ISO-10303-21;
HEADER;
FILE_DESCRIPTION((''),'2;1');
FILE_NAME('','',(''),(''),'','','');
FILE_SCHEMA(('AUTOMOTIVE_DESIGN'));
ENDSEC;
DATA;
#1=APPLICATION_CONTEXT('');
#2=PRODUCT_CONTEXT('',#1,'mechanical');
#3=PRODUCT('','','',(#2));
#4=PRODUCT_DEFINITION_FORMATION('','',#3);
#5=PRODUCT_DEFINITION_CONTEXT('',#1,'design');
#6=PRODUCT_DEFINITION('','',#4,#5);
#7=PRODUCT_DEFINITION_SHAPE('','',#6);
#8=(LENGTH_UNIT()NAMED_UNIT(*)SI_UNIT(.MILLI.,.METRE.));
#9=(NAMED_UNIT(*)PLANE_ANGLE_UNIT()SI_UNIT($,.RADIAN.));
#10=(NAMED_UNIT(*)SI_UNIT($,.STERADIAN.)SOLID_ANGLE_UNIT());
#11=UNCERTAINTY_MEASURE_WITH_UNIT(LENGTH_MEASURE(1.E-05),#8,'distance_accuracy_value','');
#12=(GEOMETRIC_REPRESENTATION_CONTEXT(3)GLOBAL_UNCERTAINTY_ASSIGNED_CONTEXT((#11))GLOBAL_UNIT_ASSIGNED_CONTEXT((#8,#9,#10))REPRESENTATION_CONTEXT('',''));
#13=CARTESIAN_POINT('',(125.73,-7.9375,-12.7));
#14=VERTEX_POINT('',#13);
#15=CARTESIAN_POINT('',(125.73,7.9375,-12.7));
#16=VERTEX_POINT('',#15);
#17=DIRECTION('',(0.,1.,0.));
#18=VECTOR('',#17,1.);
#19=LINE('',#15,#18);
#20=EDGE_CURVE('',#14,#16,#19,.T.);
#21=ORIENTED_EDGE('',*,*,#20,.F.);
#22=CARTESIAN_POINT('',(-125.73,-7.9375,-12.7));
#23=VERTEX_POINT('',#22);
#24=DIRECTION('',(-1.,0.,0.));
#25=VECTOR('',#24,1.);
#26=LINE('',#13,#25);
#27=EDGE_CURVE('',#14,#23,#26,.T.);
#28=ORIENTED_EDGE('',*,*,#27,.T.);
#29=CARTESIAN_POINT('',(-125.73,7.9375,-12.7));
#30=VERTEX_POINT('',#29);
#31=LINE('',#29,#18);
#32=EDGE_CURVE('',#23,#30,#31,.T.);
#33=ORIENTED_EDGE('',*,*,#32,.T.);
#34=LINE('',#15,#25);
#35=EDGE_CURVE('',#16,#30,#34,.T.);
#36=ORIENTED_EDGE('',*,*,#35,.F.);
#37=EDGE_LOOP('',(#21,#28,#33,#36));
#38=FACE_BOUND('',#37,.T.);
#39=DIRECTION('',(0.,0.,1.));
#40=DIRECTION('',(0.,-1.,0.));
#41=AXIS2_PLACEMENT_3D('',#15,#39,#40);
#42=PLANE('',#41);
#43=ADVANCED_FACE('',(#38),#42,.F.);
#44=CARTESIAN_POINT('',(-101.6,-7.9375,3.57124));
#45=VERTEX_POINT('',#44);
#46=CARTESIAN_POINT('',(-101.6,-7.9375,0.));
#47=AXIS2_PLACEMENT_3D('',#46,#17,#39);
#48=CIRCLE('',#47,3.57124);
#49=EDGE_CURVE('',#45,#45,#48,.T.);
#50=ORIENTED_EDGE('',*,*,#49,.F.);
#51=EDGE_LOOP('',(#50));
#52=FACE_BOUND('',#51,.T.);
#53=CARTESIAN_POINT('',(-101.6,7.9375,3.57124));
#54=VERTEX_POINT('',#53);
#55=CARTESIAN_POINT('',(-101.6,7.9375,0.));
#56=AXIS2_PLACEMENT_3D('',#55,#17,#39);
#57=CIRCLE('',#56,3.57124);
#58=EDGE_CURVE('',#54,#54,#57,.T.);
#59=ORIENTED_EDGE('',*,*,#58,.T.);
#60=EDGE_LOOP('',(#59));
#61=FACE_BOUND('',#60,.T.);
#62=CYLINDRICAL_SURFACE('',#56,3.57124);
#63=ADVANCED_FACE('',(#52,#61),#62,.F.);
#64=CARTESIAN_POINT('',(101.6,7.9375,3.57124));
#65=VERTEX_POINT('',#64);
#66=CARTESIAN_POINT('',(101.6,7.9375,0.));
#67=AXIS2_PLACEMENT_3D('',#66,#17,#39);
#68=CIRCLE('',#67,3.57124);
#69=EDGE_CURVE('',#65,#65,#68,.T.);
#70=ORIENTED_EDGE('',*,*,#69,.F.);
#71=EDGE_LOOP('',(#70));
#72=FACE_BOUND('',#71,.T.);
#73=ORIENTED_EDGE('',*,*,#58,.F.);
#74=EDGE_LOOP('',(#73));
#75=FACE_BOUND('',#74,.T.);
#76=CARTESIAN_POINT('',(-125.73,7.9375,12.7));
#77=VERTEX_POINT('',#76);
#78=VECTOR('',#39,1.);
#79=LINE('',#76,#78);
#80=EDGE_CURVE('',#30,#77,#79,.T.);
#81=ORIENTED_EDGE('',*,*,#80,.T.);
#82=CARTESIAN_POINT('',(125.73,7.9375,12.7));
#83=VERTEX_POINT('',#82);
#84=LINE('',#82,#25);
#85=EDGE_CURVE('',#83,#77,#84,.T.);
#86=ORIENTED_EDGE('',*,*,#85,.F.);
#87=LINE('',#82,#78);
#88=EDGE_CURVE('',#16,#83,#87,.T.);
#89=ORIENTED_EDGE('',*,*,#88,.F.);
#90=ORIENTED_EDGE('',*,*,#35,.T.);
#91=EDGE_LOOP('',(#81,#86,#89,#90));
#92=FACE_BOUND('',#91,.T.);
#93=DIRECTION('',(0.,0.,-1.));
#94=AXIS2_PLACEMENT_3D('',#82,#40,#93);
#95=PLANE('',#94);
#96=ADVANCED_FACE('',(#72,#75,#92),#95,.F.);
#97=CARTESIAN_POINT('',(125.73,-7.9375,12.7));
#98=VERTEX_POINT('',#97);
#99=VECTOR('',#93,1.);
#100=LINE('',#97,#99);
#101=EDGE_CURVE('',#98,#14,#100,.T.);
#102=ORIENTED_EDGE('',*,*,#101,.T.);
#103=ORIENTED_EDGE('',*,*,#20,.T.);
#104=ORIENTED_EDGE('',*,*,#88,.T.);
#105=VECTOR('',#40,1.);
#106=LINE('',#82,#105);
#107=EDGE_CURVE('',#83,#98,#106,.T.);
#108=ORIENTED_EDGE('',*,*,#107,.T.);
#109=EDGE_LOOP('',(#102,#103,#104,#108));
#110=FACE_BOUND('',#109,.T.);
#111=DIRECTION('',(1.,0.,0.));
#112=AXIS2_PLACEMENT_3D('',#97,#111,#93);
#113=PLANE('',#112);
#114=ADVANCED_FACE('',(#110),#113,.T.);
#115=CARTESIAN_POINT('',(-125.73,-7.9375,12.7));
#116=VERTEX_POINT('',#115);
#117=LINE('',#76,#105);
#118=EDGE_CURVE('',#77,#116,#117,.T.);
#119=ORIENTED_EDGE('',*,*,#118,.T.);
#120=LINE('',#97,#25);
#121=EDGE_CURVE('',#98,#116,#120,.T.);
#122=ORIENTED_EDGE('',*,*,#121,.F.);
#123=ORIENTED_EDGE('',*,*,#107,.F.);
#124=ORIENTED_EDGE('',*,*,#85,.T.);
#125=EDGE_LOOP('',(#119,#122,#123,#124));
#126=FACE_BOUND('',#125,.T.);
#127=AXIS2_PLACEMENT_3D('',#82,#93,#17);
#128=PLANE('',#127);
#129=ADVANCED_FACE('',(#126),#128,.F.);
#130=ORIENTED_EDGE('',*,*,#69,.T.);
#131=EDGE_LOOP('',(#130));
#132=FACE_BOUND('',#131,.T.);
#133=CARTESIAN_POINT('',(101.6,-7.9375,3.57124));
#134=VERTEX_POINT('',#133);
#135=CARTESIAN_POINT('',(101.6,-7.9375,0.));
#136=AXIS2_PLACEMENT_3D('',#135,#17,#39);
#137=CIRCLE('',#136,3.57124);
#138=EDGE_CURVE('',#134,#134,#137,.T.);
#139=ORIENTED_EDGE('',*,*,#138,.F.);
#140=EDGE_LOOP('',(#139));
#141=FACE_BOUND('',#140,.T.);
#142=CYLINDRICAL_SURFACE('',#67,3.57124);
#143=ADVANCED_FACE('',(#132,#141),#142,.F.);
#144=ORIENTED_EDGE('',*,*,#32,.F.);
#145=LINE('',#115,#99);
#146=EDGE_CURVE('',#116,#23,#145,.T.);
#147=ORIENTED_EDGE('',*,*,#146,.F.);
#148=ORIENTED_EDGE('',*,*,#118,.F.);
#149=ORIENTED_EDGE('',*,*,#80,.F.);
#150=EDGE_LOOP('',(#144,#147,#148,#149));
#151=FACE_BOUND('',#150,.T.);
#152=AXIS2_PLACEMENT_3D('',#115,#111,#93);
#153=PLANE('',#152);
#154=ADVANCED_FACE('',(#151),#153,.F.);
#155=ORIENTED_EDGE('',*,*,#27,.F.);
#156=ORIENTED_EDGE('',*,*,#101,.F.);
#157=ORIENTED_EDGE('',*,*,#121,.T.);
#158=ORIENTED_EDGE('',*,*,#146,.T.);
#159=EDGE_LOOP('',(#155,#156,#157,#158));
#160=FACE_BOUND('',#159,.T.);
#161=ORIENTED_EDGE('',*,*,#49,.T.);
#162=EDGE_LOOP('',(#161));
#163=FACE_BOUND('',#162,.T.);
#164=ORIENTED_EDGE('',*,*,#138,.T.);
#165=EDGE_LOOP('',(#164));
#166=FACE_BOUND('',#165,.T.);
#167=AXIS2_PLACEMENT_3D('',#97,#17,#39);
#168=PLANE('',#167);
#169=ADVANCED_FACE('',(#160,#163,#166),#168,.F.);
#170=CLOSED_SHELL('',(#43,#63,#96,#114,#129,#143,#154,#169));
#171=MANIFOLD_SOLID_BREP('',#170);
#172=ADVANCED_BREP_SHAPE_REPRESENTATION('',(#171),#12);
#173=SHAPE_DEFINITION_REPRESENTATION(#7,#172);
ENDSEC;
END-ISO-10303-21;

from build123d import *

# Parameters (mm, degrees)
SKETCH3_W               = 25.4
SKETCH3_H               = 15.875
EXTRUDE2_DEPTH          = 125.73
F_1_4_CLEARANCE_HOLE1_D = 7.14248


with BuildPart() as part:
    # Sketch3 → Extrude2 (new, symmetric)
    with BuildSketch(Plane(origin=(0, 0, 0), x_dir=(0, 0, -1), z_dir=(1, 0, 0))):
        Rectangle(SKETCH3_W, SKETCH3_H)
    extrude(amount=EXTRUDE2_DEPTH, both=True)

    # 1/4 Clearance Hole1 (through all)
    with Locations(Plane(origin=(101.6, 7.9375, 0), x_dir=(0, 0, 1), z_dir=(0, 1, 0))):
        with Locations((0, 0), (0, -203.2)):
            Hole(F_1_4_CLEARANCE_HOLE1_D / 2)


solid = part.part
